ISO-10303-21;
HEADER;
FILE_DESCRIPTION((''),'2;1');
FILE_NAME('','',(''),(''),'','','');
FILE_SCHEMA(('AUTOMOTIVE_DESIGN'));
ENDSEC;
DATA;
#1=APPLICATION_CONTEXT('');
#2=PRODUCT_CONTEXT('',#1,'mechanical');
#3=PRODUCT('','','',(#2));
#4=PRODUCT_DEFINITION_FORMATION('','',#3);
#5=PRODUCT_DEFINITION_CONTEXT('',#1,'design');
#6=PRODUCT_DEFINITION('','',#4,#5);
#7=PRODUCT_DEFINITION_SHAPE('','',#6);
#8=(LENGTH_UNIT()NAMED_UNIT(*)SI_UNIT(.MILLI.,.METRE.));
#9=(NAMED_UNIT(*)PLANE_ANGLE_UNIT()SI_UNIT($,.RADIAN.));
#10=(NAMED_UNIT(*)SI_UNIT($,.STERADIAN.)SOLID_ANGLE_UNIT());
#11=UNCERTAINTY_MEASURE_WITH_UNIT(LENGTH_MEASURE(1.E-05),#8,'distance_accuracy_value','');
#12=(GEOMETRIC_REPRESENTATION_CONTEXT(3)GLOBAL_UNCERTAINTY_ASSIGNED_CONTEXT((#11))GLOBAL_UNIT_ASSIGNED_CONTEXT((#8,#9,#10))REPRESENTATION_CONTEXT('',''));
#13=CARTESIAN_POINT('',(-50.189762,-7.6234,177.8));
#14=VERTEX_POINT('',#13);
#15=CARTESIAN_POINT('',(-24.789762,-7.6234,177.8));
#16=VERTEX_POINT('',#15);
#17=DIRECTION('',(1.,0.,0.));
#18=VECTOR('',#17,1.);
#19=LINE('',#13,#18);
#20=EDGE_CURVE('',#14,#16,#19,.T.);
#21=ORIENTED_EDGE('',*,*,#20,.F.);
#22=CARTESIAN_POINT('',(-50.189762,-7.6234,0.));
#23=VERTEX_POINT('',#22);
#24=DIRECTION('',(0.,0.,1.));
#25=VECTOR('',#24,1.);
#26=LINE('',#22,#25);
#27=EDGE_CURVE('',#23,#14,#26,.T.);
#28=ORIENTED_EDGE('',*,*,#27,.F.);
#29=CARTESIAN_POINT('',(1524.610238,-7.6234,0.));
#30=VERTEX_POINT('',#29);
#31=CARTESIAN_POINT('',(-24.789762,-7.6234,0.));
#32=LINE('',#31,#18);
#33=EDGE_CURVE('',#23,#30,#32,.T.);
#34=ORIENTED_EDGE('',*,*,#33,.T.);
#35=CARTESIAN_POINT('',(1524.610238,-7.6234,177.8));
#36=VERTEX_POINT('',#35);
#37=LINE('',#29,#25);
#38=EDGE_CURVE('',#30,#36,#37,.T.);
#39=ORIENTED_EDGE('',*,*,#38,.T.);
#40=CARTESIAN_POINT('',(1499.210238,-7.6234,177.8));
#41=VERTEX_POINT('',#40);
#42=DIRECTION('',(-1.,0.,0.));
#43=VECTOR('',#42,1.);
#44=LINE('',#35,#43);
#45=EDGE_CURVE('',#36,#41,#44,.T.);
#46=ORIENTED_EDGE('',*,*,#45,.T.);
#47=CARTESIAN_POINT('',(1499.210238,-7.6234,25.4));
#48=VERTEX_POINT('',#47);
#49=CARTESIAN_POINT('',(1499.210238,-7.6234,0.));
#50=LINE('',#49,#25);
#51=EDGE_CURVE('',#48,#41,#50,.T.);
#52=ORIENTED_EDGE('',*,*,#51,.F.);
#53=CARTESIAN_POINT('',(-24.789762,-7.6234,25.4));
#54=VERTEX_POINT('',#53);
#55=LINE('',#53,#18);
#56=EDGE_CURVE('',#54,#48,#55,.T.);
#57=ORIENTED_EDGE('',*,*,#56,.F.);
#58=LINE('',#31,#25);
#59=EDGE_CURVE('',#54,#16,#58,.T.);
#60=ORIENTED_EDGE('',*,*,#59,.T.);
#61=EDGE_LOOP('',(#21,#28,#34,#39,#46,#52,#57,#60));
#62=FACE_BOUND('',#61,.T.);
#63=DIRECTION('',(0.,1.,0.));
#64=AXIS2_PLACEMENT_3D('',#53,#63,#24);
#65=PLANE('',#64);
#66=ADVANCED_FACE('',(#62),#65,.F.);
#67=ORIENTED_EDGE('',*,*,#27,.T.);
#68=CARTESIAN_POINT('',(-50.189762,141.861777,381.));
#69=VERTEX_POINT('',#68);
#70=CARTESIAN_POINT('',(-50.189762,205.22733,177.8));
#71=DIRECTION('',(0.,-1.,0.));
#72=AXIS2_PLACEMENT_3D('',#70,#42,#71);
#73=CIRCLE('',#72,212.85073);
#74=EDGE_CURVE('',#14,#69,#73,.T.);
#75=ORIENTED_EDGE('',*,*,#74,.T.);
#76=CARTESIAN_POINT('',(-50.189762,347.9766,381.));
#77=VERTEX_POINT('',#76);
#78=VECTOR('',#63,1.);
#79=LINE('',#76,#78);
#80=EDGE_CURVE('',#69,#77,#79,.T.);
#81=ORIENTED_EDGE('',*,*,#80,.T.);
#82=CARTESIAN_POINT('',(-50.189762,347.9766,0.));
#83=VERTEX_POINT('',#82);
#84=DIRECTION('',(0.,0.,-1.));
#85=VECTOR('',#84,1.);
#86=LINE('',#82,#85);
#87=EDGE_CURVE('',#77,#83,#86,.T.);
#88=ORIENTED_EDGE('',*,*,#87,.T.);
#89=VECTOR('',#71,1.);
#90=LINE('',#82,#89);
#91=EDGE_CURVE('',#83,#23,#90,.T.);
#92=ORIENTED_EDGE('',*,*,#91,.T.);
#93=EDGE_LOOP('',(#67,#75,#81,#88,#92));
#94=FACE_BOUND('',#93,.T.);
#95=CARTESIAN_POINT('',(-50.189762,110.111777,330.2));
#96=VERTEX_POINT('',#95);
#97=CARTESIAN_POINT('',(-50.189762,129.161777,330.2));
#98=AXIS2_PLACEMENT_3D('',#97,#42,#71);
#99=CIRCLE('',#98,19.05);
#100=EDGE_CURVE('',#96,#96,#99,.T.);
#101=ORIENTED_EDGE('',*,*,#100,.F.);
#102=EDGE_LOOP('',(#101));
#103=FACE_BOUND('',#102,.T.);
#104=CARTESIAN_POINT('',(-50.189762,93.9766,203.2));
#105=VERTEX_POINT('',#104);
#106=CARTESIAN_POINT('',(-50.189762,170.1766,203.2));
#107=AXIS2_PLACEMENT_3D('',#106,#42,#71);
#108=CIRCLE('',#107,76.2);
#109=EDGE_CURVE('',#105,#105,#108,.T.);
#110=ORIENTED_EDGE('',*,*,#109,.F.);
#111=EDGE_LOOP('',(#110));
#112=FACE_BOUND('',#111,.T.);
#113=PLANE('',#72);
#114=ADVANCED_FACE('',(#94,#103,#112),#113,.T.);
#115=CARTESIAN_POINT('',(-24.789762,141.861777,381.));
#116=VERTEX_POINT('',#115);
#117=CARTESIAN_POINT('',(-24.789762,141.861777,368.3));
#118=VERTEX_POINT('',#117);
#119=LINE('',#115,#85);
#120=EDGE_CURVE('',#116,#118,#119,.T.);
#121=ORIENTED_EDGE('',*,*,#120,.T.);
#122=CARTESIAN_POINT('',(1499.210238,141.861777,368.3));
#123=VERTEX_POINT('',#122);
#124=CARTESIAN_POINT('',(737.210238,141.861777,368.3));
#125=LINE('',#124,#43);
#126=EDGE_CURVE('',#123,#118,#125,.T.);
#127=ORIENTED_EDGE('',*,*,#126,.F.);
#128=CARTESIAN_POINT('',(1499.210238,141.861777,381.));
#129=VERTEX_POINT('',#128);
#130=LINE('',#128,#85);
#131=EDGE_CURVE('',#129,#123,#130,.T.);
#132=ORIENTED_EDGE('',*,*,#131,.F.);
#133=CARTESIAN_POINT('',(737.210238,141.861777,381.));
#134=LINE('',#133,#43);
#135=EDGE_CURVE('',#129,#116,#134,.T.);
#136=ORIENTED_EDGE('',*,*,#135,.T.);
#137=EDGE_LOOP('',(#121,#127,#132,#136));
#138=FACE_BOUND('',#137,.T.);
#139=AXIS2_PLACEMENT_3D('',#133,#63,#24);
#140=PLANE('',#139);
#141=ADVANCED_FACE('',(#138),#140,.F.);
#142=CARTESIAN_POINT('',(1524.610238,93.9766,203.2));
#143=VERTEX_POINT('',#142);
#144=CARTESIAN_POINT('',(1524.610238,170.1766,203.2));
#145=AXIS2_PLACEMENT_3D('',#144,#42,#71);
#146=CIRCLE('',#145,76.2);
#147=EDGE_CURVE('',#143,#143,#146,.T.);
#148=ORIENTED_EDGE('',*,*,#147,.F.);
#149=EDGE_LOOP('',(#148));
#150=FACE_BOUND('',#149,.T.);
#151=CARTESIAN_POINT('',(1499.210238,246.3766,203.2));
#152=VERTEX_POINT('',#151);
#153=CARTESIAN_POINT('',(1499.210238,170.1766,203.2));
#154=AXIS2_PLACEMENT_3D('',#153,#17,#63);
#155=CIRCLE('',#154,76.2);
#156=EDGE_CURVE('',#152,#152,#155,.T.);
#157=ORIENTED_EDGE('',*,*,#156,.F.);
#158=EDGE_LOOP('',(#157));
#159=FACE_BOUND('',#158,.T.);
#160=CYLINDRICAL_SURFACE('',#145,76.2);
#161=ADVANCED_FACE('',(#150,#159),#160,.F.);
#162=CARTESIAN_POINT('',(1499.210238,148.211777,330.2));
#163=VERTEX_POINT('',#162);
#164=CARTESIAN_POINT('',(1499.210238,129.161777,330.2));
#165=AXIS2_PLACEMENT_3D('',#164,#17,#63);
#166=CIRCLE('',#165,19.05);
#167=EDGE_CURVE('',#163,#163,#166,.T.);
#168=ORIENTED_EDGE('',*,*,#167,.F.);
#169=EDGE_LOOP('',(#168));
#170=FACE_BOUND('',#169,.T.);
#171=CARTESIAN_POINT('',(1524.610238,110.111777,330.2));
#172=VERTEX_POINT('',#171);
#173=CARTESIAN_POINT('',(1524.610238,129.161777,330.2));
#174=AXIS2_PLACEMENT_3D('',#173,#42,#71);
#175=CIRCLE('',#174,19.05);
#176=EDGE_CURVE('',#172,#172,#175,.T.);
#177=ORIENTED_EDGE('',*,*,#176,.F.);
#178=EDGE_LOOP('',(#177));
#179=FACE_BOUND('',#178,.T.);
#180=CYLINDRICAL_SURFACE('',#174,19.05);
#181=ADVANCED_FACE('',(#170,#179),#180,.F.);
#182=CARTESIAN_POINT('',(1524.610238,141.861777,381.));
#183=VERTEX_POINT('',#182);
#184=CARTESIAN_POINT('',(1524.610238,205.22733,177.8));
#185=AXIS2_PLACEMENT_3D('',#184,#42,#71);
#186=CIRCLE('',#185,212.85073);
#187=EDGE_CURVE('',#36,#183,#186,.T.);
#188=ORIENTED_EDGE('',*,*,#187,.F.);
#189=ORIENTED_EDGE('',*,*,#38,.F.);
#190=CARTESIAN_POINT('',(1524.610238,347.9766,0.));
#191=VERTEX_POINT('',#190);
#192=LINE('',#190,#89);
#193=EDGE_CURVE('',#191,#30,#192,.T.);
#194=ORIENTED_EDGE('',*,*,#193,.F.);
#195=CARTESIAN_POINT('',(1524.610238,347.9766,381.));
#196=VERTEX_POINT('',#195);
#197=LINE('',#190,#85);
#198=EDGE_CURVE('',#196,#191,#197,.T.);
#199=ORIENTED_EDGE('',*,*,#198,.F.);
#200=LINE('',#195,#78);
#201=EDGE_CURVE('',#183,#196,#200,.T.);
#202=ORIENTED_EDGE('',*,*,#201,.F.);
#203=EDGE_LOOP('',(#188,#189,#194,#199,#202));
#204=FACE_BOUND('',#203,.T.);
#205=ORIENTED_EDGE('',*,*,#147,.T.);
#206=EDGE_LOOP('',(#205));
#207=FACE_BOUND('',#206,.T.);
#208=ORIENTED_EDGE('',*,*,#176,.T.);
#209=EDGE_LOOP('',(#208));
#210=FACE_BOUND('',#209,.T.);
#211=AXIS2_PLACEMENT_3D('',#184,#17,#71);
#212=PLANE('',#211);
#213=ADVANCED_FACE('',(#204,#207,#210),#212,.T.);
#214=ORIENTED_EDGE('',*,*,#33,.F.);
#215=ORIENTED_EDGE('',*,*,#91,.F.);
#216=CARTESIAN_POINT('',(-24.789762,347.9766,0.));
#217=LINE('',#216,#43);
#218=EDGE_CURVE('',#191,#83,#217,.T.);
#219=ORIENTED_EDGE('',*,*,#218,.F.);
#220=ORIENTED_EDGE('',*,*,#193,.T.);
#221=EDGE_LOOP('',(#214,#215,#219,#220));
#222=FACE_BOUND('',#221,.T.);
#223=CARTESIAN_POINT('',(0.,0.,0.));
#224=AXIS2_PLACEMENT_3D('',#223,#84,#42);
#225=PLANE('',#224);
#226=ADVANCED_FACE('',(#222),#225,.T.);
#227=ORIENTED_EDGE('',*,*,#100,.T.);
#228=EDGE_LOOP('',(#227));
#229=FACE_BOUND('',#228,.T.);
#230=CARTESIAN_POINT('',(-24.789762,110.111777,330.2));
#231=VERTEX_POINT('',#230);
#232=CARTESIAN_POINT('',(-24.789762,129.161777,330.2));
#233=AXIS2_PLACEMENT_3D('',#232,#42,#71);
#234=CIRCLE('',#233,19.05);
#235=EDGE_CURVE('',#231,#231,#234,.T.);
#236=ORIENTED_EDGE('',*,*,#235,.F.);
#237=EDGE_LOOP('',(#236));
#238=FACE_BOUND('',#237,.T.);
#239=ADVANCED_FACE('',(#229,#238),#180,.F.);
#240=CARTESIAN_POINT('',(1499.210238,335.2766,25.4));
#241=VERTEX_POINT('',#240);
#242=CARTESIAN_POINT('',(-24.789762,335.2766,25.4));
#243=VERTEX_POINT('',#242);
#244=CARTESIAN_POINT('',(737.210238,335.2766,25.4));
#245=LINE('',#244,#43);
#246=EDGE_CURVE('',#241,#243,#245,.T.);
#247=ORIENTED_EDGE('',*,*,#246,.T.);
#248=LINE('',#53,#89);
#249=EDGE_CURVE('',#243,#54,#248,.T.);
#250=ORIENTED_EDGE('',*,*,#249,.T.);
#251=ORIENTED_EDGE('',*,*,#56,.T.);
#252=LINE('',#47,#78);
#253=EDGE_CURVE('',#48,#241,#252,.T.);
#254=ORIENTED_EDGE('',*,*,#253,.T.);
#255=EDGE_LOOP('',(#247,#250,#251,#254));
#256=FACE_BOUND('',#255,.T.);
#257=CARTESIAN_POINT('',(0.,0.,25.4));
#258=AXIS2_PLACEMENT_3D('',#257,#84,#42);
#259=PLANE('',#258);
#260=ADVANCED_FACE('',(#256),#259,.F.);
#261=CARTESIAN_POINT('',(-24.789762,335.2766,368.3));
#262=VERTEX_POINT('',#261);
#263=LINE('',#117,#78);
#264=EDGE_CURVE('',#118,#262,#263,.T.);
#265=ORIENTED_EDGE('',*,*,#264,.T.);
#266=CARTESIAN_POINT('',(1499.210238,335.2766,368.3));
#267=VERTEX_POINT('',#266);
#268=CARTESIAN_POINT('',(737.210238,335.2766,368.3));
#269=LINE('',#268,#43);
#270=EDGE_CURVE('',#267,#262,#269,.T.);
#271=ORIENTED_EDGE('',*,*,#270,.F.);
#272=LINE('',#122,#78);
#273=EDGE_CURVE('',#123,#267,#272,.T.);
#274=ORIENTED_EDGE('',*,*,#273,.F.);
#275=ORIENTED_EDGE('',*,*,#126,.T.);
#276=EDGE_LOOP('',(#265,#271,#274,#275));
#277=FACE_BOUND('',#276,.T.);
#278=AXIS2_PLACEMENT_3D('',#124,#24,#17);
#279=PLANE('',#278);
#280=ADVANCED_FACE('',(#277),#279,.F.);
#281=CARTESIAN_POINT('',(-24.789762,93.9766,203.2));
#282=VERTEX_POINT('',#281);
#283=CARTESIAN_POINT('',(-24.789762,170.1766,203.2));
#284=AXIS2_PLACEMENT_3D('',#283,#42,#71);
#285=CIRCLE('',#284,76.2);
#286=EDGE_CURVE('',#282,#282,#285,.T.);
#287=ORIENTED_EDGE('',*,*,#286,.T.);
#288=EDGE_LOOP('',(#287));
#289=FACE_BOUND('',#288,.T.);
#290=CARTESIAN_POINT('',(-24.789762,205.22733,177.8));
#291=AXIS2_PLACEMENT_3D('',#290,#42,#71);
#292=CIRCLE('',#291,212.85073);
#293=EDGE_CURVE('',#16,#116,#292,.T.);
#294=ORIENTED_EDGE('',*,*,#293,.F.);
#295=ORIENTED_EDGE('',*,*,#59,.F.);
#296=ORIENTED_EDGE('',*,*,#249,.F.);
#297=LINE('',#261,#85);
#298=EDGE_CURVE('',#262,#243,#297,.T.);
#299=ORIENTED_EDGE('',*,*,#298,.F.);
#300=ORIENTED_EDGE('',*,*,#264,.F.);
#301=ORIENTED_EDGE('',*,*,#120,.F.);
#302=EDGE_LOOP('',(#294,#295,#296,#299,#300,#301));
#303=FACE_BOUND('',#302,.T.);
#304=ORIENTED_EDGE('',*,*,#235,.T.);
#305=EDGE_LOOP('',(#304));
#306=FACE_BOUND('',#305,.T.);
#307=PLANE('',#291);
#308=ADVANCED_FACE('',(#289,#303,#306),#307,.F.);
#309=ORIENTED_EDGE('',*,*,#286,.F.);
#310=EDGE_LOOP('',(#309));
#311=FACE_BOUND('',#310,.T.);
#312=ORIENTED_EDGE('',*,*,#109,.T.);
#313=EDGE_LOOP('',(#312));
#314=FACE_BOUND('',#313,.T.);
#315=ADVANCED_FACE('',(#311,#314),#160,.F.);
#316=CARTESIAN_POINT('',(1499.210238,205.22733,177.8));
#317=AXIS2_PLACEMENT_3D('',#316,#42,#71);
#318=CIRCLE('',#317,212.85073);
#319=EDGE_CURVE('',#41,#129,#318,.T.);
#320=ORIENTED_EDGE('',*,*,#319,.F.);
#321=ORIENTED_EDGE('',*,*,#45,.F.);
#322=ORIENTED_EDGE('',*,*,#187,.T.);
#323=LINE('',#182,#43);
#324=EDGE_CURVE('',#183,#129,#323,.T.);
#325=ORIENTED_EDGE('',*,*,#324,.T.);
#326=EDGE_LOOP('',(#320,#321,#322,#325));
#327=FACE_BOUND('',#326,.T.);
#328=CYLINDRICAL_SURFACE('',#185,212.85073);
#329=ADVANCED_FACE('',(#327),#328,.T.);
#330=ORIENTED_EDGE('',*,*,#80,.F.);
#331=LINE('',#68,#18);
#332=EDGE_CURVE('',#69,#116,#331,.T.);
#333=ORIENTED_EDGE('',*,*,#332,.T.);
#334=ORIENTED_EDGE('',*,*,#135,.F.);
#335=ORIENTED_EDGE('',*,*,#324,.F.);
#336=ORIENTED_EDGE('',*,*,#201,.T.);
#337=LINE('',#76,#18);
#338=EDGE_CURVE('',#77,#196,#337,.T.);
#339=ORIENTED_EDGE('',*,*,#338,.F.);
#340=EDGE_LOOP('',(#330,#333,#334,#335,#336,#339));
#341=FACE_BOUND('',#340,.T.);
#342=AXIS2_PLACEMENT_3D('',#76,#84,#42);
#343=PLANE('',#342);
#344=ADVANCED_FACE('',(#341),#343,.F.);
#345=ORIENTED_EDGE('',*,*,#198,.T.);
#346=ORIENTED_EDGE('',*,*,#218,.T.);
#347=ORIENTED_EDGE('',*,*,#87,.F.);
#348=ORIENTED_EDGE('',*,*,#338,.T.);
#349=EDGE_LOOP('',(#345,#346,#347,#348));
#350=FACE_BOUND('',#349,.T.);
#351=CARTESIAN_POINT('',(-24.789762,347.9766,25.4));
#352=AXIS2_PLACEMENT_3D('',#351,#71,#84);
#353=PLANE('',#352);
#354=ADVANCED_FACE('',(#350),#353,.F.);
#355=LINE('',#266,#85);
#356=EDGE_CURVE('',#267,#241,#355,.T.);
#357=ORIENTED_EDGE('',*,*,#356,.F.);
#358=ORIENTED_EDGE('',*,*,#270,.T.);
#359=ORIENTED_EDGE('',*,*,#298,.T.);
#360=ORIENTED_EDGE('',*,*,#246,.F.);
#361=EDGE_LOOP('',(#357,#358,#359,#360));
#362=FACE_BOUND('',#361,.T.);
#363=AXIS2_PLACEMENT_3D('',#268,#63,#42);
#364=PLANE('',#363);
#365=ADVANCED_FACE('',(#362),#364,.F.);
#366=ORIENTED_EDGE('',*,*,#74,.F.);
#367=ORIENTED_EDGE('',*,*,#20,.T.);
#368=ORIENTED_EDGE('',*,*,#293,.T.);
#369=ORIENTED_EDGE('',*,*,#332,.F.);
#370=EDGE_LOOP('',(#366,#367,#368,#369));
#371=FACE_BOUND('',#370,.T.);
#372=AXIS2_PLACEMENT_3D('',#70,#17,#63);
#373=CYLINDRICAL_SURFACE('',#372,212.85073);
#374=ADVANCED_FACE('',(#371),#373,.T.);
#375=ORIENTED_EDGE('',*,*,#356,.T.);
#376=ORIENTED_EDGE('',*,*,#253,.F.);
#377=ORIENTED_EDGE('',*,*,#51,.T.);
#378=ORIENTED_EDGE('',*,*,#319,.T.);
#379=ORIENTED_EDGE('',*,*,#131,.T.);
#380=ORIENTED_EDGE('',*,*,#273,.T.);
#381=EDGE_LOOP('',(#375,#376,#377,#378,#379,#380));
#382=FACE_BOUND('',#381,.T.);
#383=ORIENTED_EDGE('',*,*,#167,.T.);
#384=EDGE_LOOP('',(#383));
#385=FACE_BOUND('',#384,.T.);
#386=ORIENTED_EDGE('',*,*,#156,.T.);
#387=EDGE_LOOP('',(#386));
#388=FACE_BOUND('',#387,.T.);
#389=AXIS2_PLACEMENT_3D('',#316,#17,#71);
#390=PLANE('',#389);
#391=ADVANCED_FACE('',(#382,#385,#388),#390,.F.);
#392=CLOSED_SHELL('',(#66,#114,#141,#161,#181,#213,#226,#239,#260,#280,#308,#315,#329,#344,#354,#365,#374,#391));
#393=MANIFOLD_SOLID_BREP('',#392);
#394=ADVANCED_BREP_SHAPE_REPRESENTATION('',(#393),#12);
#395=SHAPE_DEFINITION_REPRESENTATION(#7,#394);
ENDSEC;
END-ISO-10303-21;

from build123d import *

# Parameters (mm, degrees)
SKETCH1_W           = 1524
SKETCH1_H           = 355.6
BOSS_EXTRUDE1_DEPTH = 25.4
BOSS_EXTRUDE5_DEPTH = 25.4
BOSS_EXTRUDE6_DEPTH = 762
SKETCH7_R           = 76.2
CUT_EXTRUDE1_DEPTH  = 1575.8
SKETCH8_R           = 19.05
CUT_EXTRUDE2_DEPTH  = 1575.8


with BuildPart() as part:
    # Sketch1 → Boss-Extrude1 (new body)
    with BuildSketch(Plane.XY):
        with Locations((737.21023766, 170.176599634)):
            Rectangle(SKETCH1_W, SKETCH1_H)
    extrude(amount=BOSS_EXTRUDE1_DEPTH)

    # Sketch5 → Boss-Extrude5 (add)
    with BuildSketch(Plane.ZY.offset(24.78976234)):
        with BuildLine():
            Line((0, 347.976599634), (381, 347.976599634))
            Line((381, 347.976599634), (381, 141.861776851))
            ThreePointArc((381, 141.861776851), (303.930942088, 33.773491198), (177.8, -7.623400366))
            Line((177.8, -7.623400366), (0, -7.623400366))
            Line((0, -7.623400366), (0, 347.976599634))
        make_face()
    boss_extrude5 = extrude(amount=BOSS_EXTRUDE5_DEPTH)

    # Sketch6 → Boss-Extrude6 (add)
    with BuildSketch(Plane(origin=(-24.78976234, 0, 0), x_dir=(0, 0, -1), z_dir=(1, 0, 0))):
        Polygon((-25.4, 347.976599634), (-381, 347.976599634), (-381, 141.861776851), (-368.3, 141.861776851), (-368.3, 335.276599634), (-25.4, 335.276599634), align=None)
    boss_extrude6 = extrude(amount=BOSS_EXTRUDE6_DEPTH)

    # Mirror2: Boss-Extrude5, Boss-Extrude6 across plane
    add(boss_extrude5.mirror(Plane(origin=(737.21023766, 0, 0), x_dir=(0, 0, 1), z_dir=(1, 0, 0))))
    add(boss_extrude6.mirror(Plane(origin=(737.21023766, 0, 0), x_dir=(0, 0, 1), z_dir=(1, 0, 0))))

    # Sketch7 → Cut-Extrude1 (cut, through all)
    with BuildSketch(Plane.ZY.offset(50.18976234)):
        with Locations((203.2, 170.176599634)):
            Circle(SKETCH7_R)
    extrude(amount=-CUT_EXTRUDE1_DEPTH, mode=Mode.SUBTRACT)

    # Sketch8 → Cut-Extrude2 (cut, through all)
    with BuildSketch(Plane.ZY.offset(50.18976234)):
        with Locations((330.2, 129.161776851)):
            Circle(SKETCH8_R)
    extrude(amount=-CUT_EXTRUDE2_DEPTH, mode=Mode.SUBTRACT)


solid = part.part
